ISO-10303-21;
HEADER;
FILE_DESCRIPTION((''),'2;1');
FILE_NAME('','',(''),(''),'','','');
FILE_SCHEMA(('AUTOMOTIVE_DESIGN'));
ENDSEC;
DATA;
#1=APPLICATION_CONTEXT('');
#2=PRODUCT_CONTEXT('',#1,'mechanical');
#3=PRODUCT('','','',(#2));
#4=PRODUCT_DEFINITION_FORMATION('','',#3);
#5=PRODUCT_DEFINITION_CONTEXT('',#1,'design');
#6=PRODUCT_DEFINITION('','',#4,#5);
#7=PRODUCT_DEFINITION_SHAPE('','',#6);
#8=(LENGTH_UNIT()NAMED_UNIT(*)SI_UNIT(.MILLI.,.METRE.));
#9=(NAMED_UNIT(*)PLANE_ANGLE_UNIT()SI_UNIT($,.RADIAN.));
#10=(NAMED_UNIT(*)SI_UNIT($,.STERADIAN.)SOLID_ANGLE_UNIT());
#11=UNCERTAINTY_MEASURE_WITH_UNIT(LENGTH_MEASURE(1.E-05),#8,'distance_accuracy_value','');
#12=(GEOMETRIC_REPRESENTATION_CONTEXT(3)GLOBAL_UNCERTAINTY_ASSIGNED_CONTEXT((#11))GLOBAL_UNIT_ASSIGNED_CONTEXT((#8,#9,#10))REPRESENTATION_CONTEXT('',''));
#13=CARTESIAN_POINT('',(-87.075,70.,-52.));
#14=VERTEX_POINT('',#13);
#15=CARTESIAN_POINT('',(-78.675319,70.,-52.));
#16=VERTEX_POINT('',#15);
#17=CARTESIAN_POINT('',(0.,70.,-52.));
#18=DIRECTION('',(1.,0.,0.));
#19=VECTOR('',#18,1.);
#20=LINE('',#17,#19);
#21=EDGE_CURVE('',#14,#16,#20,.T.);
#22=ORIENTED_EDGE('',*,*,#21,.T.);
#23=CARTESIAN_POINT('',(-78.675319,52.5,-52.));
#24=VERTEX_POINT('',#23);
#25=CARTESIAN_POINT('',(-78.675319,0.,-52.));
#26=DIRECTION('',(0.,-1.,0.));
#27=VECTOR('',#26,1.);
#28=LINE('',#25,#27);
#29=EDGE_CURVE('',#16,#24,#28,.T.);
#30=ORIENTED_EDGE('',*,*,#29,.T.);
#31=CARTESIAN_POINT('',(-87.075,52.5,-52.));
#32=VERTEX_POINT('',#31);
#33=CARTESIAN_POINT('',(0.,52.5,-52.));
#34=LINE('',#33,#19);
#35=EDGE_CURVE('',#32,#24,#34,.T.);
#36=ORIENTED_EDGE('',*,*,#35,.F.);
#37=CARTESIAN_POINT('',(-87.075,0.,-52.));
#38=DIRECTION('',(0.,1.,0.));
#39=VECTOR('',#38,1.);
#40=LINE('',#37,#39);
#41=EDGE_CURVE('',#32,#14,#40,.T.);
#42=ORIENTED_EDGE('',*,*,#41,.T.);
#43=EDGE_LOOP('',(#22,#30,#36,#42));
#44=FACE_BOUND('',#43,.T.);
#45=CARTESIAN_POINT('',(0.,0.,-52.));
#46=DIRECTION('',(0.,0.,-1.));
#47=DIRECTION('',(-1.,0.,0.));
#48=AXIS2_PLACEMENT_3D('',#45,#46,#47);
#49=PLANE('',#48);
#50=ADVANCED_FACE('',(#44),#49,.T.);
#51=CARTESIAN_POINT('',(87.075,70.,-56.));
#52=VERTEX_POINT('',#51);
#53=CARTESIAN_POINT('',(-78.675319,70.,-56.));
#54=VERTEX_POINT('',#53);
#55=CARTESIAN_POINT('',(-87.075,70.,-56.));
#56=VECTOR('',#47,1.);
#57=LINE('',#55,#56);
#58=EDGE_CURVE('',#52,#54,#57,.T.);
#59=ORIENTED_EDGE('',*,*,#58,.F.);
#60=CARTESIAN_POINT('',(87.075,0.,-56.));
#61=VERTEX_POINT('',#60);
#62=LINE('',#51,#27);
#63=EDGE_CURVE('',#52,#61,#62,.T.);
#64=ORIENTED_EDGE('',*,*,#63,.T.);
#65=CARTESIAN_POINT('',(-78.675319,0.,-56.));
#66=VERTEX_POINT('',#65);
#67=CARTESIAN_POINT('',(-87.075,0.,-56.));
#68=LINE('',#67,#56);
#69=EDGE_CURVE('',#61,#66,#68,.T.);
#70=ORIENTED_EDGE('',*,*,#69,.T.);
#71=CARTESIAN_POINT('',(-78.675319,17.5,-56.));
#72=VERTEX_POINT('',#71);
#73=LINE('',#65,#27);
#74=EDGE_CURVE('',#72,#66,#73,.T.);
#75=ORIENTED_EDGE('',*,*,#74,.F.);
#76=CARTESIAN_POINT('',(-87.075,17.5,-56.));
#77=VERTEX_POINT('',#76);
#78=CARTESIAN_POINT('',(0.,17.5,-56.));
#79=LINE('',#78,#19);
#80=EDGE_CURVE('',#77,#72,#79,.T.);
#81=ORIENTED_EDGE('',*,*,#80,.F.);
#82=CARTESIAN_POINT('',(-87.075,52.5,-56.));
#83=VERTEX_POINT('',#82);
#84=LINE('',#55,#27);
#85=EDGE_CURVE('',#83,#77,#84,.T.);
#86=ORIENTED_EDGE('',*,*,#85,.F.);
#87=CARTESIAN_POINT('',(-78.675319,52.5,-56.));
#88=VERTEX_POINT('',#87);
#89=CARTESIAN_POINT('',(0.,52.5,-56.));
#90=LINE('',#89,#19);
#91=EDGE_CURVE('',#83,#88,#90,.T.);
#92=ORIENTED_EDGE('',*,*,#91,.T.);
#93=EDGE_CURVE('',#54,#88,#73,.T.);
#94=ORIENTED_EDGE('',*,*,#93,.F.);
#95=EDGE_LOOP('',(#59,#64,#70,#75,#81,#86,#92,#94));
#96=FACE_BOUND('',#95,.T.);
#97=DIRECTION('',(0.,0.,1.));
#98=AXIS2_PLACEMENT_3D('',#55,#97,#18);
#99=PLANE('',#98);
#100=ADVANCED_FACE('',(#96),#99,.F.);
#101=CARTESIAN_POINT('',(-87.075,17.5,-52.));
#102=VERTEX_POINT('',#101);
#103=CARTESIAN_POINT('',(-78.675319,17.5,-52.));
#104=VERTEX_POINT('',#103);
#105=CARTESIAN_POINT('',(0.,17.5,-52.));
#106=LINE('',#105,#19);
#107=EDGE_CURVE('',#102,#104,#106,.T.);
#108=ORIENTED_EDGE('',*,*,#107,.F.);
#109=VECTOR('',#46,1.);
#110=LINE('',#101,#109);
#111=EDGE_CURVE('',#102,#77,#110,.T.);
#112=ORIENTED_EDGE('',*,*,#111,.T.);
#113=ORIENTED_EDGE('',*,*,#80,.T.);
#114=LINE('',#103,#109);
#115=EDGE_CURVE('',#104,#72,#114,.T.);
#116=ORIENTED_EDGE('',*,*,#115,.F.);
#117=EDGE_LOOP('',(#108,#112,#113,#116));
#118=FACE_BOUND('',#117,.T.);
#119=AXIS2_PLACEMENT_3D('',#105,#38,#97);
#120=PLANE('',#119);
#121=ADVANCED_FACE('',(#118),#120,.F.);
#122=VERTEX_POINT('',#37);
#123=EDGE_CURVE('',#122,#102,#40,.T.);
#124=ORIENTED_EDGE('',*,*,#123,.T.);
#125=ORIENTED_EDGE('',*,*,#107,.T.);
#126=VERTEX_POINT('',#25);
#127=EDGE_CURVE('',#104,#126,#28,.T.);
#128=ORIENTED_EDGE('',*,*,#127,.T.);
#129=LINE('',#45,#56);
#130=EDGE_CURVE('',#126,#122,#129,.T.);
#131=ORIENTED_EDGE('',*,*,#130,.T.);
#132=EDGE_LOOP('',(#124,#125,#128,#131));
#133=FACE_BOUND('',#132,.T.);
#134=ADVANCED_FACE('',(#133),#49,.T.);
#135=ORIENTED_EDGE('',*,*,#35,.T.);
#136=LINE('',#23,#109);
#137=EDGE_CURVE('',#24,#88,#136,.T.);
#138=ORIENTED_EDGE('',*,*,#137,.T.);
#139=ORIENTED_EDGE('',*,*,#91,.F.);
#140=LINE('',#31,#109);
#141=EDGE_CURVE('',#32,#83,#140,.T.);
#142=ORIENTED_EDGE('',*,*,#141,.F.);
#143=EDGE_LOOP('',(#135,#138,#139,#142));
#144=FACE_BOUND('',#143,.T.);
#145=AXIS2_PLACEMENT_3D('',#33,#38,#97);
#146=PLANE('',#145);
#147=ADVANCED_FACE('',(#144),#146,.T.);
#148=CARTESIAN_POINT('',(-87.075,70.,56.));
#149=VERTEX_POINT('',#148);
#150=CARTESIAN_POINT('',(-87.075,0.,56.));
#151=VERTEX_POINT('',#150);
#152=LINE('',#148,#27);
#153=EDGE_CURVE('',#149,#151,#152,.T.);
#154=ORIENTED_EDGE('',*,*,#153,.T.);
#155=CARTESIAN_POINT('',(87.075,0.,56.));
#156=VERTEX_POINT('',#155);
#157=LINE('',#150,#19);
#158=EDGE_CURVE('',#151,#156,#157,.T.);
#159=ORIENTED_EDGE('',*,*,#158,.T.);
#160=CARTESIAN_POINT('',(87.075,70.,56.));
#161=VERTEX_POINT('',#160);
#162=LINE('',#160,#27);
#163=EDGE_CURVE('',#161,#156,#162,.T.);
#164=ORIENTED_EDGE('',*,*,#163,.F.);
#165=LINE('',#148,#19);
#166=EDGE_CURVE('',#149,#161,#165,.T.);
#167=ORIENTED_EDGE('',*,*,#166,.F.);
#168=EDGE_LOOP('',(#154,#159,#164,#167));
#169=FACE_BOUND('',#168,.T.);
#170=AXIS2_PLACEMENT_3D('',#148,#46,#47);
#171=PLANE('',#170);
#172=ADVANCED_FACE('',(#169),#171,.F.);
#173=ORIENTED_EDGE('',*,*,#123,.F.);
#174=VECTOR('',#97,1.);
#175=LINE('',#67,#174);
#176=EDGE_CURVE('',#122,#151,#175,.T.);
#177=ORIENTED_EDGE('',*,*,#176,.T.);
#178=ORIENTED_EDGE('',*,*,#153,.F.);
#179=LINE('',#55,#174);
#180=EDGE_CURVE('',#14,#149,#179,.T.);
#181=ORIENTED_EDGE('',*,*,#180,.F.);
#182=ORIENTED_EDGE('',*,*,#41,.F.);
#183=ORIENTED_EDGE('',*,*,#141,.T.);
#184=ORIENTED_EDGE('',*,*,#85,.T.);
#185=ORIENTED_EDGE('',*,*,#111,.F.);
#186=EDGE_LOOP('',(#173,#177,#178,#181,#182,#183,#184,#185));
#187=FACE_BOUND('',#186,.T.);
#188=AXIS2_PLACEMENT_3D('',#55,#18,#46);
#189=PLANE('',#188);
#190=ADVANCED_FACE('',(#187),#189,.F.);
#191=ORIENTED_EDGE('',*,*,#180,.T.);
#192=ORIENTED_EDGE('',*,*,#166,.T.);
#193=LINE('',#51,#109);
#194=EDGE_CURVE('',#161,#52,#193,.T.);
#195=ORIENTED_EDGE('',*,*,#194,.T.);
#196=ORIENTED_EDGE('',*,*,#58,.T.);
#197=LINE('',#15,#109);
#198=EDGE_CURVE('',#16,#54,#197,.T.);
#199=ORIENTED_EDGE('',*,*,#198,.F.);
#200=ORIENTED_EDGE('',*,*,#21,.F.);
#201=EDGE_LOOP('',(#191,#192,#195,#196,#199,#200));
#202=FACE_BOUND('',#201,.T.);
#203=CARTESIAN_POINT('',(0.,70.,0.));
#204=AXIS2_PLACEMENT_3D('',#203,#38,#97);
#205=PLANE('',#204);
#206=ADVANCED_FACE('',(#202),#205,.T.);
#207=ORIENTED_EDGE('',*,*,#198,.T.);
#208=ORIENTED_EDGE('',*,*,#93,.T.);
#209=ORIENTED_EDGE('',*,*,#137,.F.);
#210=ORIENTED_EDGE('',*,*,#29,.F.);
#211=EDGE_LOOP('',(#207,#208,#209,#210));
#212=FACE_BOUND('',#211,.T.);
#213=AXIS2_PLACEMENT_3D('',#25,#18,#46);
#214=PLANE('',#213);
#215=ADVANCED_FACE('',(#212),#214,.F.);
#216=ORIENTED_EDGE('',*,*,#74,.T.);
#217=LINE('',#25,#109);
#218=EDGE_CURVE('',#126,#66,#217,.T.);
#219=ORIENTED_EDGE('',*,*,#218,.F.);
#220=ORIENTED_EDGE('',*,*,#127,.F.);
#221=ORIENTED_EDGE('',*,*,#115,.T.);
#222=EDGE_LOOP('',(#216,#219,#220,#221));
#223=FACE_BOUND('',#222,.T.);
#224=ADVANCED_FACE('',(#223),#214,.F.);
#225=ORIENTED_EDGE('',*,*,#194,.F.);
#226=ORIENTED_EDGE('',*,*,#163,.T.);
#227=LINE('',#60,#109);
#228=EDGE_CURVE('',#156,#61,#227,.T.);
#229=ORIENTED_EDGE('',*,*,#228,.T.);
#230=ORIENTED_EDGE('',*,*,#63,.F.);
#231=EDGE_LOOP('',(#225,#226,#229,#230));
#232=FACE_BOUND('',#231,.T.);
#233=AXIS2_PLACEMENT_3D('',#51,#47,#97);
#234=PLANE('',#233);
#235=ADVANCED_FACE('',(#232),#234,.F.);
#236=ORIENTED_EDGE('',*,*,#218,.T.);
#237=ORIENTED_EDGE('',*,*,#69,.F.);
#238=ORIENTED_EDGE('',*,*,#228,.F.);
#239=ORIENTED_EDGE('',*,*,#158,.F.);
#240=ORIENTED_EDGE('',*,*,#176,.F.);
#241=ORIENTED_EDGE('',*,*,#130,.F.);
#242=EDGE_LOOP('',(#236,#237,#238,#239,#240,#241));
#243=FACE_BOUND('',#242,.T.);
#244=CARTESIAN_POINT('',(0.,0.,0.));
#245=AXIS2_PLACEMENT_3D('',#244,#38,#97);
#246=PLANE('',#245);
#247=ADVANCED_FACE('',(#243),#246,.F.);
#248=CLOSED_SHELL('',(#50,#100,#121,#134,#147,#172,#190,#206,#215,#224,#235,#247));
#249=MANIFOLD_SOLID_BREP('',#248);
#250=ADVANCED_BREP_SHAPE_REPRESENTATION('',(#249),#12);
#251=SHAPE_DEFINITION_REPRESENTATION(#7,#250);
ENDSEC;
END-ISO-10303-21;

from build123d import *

# Parameters (mm, degrees)
SKETCH_8_W          = 174.15
SKETCH_8_H          = 112
EXTRUDE_3_DEPTH     = 70
SKETCH_10_W         = 8.399681442
SKETCH_10_H         = 17.5
CUT_EXTRUDE_4_DEPTH = 4


with BuildPart() as part:
    # 스케치8 → 보스-돌출3 (new body)
    with BuildSketch(Plane(origin=(0, 0, 0), x_dir=(1, 0, 0), z_dir=(0, 1, 0))):
        Rectangle(SKETCH_8_W, SKETCH_8_H)
    extrude(amount=EXTRUDE_3_DEPTH)

    # 스케치10 → 컷-돌출4 (cut)
    with BuildSketch(Plane(origin=(0, 0, -56), x_dir=(-1, 0, 0), z_dir=(0, 0, -1))):
        with Locations((82.875159279, 61.25)):
            Rectangle(SKETCH_10_W, SKETCH_10_H)
        with Locations((82.875159279, 8.75)):
            Rectangle(SKETCH_10_W, SKETCH_10_H)
    extrude(amount=-CUT_EXTRUDE_4_DEPTH, mode=Mode.SUBTRACT)


solid = part.part
